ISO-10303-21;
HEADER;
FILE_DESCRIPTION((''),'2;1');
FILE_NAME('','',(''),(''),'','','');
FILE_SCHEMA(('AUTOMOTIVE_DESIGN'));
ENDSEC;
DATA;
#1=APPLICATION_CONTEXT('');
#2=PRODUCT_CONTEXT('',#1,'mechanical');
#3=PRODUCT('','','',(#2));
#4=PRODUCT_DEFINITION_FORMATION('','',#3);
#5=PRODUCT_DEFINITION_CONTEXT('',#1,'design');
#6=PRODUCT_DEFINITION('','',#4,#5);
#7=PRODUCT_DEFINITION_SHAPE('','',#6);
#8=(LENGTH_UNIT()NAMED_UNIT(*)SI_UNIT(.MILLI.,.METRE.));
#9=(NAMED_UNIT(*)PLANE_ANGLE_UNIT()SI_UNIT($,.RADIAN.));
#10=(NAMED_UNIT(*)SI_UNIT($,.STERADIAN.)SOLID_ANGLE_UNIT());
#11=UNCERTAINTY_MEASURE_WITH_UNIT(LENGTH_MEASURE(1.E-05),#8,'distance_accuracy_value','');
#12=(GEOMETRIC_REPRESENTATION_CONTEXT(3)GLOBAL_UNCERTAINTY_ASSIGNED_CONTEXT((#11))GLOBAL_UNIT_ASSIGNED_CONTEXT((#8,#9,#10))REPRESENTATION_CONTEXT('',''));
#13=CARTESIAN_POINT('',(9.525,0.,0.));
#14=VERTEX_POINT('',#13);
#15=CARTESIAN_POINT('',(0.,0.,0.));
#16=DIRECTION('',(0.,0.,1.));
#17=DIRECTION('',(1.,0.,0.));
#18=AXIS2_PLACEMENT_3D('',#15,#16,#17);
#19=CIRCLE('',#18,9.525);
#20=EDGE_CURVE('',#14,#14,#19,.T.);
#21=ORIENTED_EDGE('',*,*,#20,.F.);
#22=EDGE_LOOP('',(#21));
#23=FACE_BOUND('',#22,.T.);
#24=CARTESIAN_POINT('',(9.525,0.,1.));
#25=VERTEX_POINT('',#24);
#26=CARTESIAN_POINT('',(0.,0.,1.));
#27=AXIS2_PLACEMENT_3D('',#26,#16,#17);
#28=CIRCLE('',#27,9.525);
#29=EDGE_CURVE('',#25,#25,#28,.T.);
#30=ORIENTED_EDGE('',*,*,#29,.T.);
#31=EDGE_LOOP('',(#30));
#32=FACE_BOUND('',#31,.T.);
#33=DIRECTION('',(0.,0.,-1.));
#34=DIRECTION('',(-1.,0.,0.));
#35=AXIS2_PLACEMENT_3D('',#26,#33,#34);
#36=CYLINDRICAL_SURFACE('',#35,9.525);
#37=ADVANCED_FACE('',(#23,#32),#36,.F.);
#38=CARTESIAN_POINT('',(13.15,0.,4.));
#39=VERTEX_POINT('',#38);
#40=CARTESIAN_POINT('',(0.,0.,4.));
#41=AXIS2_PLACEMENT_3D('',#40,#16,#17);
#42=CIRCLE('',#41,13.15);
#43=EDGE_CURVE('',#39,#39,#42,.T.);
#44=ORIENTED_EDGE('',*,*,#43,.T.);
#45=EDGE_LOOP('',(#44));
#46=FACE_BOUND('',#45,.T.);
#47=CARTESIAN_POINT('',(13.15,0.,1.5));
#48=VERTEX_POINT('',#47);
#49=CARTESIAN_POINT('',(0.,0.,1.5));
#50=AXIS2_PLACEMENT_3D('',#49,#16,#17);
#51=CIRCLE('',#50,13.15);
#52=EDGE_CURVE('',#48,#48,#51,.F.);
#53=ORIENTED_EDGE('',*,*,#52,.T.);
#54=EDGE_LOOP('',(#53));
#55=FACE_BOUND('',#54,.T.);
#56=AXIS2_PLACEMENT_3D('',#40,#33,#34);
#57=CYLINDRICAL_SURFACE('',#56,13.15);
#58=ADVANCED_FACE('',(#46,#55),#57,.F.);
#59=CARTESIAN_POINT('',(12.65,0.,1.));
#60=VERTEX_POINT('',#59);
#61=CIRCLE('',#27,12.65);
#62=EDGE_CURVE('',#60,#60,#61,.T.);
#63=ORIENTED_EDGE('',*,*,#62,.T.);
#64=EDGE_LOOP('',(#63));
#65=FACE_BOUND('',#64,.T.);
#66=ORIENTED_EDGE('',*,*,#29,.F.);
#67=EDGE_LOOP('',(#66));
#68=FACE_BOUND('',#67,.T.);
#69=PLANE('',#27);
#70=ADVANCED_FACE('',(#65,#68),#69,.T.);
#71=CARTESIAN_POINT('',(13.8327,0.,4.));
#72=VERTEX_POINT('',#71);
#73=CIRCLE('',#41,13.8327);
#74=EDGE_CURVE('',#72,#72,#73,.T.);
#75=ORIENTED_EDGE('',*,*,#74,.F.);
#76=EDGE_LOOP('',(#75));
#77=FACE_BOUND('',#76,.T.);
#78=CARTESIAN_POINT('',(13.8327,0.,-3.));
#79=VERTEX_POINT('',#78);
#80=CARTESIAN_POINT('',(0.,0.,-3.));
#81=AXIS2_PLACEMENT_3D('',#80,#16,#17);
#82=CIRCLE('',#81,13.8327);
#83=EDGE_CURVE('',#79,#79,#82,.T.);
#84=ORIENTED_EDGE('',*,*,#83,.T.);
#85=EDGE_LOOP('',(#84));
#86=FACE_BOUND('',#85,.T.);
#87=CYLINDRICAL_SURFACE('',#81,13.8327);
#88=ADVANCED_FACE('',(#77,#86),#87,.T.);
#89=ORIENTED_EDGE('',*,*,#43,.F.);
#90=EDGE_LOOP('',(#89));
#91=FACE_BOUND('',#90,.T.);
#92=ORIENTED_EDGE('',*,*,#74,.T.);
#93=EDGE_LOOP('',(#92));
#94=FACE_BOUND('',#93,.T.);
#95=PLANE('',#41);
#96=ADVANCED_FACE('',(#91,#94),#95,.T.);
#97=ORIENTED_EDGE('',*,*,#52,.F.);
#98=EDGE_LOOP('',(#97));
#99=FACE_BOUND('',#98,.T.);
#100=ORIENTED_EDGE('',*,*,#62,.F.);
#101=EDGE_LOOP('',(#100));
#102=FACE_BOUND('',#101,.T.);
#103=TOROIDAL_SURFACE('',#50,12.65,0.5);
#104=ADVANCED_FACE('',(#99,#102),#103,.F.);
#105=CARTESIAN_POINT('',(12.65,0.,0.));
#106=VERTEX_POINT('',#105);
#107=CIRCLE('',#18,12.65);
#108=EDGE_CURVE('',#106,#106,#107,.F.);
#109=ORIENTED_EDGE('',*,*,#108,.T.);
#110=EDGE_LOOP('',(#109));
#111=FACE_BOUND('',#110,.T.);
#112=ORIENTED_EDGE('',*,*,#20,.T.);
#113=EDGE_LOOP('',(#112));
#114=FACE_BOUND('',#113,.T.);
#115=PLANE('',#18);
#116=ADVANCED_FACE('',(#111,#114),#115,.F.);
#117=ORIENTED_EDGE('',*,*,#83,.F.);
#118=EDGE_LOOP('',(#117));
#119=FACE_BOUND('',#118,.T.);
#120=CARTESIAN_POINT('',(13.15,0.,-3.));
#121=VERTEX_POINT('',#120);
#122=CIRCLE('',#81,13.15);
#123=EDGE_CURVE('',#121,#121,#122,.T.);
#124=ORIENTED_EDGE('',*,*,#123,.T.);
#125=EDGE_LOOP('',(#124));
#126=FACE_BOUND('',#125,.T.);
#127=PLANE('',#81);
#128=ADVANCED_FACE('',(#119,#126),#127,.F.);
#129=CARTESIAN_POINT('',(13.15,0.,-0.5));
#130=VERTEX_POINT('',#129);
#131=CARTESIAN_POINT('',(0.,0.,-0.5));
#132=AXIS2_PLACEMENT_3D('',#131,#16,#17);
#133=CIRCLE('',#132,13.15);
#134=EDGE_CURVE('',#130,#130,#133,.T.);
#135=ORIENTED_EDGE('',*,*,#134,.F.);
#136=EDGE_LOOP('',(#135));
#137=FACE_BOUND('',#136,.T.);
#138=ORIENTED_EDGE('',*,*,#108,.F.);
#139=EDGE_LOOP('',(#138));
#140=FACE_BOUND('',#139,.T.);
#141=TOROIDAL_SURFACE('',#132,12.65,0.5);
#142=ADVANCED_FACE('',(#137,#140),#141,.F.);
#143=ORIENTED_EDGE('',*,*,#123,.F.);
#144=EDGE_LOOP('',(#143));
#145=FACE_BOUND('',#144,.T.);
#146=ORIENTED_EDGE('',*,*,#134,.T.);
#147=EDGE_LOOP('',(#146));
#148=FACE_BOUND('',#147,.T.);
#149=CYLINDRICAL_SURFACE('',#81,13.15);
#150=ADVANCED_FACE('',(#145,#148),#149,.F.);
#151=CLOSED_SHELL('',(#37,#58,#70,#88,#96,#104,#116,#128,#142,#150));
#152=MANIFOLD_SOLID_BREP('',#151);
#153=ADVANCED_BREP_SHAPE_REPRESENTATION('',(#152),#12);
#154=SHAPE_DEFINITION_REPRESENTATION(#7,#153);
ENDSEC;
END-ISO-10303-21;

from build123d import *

# Parameters (mm, degrees)
SKETCH1_R           = 13.8327
SKETCH1_R_2         = 13.15
BOSS_EXTRUDE1_DEPTH = 3
BOSS_EXTRUDE2_START = 1
SKETCH2_R           = 13.8327
SKETCH2_R_2         = 9.525
BOSS_EXTRUDE2_DEPTH = 1
BOSS_EXTRUDE3_START = 3
SKETCH3_R           = 13.8327
SKETCH3_R_2         = 13.15
BOSS_EXTRUDE3_DEPTH = 3
FILLET1_R           = 0.5


with BuildPart() as part:
    # Sketch1 → Boss-Extrude1 (new body)
    with BuildSketch(Plane.XY):
        Circle(SKETCH1_R)
        Circle(SKETCH1_R_2, mode=Mode.SUBTRACT)
    extrude(amount=-BOSS_EXTRUDE1_DEPTH)

    # Sketch2 → Boss-Extrude2 (add)
    with BuildSketch(Plane.XY.offset(BOSS_EXTRUDE2_START)):
        Circle(SKETCH2_R)
        Circle(SKETCH2_R_2, mode=Mode.SUBTRACT)
    extrude(amount=-BOSS_EXTRUDE2_DEPTH)

    # Sketch3 → Boss-Extrude3 (add)
    with BuildSketch(Plane.XY.offset(1).offset(BOSS_EXTRUDE3_START)):
        Circle(SKETCH3_R)
        Circle(SKETCH3_R_2, mode=Mode.SUBTRACT)
    extrude(amount=-BOSS_EXTRUDE3_DEPTH)

    # Fillet1
    fillet1_edges = [part.edges().sort_by_distance(p)[0] for p in [
        (-13.15, 0, 0),
        (-13.15, 0, 1),
    ]]
    fillet(fillet1_edges, radius=FILLET1_R)


solid = part.part
